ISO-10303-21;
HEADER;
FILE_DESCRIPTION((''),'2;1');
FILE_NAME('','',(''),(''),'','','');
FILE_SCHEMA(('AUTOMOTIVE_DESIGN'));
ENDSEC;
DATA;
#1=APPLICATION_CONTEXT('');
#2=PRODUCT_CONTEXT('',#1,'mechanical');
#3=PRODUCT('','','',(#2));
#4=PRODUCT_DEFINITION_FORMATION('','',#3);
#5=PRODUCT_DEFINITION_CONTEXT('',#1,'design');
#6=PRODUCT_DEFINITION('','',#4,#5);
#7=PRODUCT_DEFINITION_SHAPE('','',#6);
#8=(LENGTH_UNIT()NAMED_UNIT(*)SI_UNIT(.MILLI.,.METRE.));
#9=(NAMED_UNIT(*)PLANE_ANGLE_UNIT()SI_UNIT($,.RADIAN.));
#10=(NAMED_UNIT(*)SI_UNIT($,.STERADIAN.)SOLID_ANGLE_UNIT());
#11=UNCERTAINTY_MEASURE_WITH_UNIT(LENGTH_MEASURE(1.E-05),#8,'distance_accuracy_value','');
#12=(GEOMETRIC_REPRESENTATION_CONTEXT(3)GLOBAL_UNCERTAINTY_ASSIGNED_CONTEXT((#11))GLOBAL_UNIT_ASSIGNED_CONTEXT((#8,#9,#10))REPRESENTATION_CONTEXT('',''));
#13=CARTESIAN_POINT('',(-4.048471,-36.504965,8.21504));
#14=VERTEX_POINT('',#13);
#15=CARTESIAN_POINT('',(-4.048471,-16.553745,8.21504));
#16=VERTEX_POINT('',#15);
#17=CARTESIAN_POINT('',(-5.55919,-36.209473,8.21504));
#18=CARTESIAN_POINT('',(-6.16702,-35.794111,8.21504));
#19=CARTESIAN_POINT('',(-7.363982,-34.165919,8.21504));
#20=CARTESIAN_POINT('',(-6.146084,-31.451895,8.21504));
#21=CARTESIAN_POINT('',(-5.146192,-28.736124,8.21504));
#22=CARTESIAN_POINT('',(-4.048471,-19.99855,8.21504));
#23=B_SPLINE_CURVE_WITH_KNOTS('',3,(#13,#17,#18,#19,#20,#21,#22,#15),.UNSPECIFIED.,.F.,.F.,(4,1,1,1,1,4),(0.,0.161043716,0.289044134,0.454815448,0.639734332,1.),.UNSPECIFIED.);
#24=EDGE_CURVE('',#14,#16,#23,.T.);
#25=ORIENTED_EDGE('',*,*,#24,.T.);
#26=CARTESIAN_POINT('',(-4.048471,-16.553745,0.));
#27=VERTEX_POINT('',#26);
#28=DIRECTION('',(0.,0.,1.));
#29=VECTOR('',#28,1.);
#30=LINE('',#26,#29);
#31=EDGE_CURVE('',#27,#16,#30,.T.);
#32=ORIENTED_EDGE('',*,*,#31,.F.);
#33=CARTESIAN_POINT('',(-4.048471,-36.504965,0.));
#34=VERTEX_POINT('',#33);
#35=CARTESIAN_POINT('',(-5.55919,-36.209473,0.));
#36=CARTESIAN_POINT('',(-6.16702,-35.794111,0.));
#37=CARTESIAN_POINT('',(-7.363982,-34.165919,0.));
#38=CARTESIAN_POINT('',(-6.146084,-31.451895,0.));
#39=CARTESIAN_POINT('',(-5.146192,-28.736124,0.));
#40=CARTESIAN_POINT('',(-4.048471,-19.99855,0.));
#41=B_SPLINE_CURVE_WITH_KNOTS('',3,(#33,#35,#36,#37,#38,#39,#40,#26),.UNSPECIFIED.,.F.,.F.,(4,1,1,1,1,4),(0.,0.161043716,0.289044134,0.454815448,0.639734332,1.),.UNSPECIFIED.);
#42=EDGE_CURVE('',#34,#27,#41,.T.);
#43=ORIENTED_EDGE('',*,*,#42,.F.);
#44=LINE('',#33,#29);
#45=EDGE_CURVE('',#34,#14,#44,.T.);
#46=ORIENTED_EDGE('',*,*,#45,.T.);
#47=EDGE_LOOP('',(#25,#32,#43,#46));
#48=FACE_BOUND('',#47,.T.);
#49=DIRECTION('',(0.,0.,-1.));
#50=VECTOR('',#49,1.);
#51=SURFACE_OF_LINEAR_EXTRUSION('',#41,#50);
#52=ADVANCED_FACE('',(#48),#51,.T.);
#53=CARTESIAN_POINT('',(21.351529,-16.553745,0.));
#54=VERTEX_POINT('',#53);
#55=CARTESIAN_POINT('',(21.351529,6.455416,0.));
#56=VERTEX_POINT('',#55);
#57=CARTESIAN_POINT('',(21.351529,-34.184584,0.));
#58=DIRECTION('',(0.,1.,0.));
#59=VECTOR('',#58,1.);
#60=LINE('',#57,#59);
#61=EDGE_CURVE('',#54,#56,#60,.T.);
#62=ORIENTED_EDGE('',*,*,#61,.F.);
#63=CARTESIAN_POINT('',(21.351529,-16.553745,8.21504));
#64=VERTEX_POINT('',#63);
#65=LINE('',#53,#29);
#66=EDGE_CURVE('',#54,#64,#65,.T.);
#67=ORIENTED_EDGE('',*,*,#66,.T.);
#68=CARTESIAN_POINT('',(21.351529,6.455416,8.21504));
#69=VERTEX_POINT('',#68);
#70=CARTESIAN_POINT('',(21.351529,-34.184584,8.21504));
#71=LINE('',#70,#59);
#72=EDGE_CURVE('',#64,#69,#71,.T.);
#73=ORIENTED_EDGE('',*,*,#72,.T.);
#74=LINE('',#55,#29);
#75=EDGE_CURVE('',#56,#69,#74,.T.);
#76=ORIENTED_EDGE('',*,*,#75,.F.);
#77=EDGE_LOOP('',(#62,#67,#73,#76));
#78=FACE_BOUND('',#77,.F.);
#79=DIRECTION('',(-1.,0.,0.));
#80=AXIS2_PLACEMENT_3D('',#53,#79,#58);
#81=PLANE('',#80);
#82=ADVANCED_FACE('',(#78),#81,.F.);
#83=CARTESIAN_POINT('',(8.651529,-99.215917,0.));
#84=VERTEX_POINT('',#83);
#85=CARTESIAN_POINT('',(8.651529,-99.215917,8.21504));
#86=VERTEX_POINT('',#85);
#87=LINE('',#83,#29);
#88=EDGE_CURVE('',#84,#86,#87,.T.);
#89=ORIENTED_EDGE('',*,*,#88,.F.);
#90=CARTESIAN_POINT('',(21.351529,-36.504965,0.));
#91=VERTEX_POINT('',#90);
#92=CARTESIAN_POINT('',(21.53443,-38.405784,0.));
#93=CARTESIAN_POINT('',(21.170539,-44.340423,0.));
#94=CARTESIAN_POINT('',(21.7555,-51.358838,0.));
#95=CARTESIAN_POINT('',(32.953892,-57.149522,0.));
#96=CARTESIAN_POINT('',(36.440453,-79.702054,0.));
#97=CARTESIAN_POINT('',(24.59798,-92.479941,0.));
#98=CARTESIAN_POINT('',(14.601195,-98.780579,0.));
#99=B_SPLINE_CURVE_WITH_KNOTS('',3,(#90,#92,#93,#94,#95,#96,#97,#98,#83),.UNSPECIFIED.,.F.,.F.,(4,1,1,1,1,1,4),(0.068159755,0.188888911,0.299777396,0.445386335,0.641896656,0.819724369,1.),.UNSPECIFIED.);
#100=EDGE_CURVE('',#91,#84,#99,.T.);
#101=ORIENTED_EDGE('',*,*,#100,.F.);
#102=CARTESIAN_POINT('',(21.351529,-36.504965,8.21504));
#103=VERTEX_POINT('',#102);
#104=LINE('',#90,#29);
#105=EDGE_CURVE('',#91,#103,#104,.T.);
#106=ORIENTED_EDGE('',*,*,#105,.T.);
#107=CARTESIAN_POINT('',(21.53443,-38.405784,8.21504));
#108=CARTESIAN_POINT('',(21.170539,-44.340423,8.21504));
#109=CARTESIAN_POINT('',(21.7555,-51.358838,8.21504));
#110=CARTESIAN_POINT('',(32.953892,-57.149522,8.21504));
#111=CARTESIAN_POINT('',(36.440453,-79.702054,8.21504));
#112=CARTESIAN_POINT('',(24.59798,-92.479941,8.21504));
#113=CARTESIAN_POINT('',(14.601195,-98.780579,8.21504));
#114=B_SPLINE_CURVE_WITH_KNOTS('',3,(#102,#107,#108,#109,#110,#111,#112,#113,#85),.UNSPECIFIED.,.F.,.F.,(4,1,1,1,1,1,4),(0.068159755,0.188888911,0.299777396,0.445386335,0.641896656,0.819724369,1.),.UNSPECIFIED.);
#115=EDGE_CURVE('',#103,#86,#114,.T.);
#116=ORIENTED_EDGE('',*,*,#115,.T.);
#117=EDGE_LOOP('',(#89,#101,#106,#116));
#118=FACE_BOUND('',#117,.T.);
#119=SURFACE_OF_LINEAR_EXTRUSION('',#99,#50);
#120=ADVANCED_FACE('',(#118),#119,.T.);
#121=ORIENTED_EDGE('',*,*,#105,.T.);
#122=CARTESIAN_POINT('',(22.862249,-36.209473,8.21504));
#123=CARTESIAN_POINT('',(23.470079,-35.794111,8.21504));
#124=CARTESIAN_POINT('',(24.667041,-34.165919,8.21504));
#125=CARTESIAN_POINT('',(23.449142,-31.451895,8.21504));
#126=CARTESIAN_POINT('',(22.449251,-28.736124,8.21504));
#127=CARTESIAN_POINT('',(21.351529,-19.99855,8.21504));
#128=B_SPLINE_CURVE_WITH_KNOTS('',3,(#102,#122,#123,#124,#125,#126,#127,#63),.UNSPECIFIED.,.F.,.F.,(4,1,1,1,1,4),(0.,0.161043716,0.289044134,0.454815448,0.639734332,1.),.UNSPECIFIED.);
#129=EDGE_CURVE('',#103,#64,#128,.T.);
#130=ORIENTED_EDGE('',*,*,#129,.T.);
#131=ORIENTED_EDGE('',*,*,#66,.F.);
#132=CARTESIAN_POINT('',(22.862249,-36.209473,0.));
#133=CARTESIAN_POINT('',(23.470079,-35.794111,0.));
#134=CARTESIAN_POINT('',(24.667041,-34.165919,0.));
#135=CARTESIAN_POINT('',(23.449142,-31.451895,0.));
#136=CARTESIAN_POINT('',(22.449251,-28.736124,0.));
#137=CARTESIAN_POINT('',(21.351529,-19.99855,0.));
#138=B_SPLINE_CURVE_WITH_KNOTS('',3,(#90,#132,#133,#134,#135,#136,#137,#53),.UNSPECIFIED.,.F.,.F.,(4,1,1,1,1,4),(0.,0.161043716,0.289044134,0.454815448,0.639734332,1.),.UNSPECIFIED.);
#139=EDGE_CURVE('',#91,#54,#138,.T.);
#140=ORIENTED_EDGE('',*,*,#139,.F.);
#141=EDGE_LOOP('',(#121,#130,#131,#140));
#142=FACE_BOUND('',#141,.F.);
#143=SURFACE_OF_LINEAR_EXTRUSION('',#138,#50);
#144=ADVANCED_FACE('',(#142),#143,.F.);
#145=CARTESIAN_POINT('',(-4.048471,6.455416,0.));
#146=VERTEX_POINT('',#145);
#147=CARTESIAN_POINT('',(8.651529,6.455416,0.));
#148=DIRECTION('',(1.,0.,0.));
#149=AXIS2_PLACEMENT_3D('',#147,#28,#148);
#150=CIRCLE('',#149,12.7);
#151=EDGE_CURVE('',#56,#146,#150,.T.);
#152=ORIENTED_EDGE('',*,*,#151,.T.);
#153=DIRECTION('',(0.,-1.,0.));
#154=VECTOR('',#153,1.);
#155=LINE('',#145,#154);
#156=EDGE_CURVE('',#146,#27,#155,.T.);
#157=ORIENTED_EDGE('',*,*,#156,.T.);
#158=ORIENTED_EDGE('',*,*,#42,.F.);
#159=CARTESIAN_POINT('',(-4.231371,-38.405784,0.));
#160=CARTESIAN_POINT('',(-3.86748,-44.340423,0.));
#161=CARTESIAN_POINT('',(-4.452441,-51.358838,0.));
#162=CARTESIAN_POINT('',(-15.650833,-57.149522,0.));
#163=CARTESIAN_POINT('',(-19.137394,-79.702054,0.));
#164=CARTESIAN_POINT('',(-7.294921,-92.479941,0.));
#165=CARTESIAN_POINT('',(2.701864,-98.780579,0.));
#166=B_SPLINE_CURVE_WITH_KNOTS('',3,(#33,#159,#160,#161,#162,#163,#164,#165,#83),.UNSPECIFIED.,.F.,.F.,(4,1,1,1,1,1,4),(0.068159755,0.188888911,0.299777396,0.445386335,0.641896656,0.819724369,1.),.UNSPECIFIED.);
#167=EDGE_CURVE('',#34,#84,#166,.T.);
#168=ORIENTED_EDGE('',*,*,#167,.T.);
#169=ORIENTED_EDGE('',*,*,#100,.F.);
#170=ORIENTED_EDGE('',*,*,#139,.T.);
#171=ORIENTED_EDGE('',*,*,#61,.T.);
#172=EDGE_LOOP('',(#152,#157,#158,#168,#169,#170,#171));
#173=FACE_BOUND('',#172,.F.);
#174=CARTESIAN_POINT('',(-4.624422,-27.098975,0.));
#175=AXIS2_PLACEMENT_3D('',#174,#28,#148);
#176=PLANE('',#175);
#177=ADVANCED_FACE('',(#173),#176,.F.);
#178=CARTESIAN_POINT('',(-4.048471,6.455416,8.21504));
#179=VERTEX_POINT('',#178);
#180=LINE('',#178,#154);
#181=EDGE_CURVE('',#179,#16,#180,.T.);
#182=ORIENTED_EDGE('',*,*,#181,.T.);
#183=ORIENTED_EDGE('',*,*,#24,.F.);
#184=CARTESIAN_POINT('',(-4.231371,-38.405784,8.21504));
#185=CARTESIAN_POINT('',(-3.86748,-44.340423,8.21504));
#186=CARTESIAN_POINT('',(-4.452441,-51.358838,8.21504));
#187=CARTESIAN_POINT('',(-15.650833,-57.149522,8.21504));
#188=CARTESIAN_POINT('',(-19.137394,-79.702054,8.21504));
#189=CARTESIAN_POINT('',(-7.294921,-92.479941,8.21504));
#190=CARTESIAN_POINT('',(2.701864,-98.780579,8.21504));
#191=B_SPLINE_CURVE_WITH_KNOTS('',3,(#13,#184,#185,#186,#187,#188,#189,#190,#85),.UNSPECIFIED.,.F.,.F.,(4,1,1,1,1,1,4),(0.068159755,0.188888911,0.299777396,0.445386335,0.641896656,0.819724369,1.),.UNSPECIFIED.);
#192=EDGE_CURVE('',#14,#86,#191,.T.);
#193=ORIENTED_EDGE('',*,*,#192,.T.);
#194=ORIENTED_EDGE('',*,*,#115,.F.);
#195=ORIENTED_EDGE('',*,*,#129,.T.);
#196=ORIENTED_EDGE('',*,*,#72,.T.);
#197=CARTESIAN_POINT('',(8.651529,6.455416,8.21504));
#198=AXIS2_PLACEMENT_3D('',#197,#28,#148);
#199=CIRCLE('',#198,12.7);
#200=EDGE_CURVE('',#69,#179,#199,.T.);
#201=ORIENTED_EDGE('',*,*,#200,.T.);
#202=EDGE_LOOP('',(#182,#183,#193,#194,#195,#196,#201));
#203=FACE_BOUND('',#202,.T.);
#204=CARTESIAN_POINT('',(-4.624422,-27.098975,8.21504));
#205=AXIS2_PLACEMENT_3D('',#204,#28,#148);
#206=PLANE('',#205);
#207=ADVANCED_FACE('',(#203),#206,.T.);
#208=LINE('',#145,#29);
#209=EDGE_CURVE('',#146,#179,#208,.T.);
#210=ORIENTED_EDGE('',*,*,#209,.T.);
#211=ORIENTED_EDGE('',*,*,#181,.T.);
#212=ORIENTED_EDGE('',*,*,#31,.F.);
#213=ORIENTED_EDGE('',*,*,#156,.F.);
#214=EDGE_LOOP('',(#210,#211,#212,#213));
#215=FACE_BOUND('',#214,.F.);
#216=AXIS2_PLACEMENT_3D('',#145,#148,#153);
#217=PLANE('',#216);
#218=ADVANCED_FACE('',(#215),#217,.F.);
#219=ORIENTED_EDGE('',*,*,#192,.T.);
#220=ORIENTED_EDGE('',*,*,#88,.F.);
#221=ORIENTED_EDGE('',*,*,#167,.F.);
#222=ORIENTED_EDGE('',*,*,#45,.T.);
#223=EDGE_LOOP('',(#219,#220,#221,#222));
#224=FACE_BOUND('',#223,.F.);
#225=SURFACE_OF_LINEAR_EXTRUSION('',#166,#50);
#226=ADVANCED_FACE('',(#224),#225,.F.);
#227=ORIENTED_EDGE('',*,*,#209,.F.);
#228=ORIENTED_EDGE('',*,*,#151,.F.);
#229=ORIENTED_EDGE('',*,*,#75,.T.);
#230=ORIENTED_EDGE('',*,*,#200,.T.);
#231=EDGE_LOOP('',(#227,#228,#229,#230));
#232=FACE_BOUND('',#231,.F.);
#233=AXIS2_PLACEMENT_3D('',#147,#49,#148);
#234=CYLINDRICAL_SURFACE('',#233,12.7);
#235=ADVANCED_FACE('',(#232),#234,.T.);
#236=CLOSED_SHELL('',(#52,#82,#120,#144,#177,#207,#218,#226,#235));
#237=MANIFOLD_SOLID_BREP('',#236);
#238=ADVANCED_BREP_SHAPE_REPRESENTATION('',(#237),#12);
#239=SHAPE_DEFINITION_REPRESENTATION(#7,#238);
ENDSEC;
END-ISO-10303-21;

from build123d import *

# Parameters (mm, degrees)
F1_DEPTH = 8.21504


with BuildPart() as f1:
    # F0 (on Top) → F1 (new body)
    with BuildSketch(Plane.XY):
        with BuildLine():
            Line((-3.3034197986, -34.1845839397), (-4.0484705612, -34.1845839397))
            Line((-4.0484705612, -34.1845839397), (-4.0484705612, -16.5537446737))
            add(Edge.make_bspline(
                [(-4.0484705612, -36.5049652755), (-5.5591903136, -36.2094730067), (-6.1670200282, -35.7941111545), (-7.3639816279, -34.16591861), (-6.146083559, -31.4518946968), (-5.1461923542, -28.7361235287), (-4.0484705612, -19.998550415), (-4.0484705612, -16.5537446737)],
                knots=[0, 0, 0, 0, 0.1610437165, 0.2890441344, 0.4548154481, 0.6397343322, 1, 1, 1, 1], degree=3))
            add(Edge.make_bspline(
                [(-3.3034197986, -34.1845839397), (-3.7231982882, -34.7388008216), (-3.9452111146, -35.4318249037), (-4.0484705612, -36.5049652755)],
                knots=[0, 0, 0, 0, 0.0681597552, 0.0681597552, 0.0681597552, 0.0681597552], degree=3))
        make_face()
        with BuildLine():
            Line((-4.0484705612, -16.5537446737), (-4.0484705612, -34.1845839397))
            Line((-4.0484705612, -34.1845839397), (-3.3034197986, -34.1845839397))
            add(Edge.make_bspline(
                [(-3.3034197986, -34.1845839397), (-3.7231982882, -34.7388008216), (-3.9452111146, -35.4318249037), (-4.0484705612, -36.5049652755)],
                knots=[0, 0, 0, 0, 0.0681597552, 0.0681597552, 0.0681597552, 0.0681597552], degree=3))
            add(Edge.make_bspline(
                [(-4.0484705612, -36.5049652755), (-4.2313706576, -38.4057838825), (-3.8674804038, -44.3404226867), (-4.4524409123, -51.3588376939), (-15.6508327782, -57.1495224389), (-19.1373936488, -79.7020540979), (-7.2949213642, -92.4799412248), (2.7018639336, -98.7805787887), (8.6515294388, -99.2159172893)],
                knots=[0.0681597552, 0.0681597552, 0.0681597552, 0.0681597552, 0.1888889109, 0.2997773957, 0.4453863347, 0.641896656, 0.8197243688, 1, 1, 1, 1], degree=3))
            add(Edge.make_bspline(
                [(21.3515294388, -36.5049652755), (21.5344295352, -38.4057838825), (21.1705392814, -44.3404226867), (21.7554997898, -51.3588376939), (32.9538916558, -57.1495224389), (36.4404525264, -79.7020540979), (24.5979802418, -92.4799412248), (14.601194944, -98.7805787887), (8.6515294388, -99.2159172893)],
                knots=[0.0681597552, 0.0681597552, 0.0681597552, 0.0681597552, 0.1888889109, 0.2997773957, 0.4453863347, 0.641896656, 0.8197243688, 1, 1, 1, 1], degree=3))
            add(Edge.make_bspline(
                [(20.6064786762, -34.1845839397), (21.0262571658, -34.7388008216), (21.2482699922, -35.4318249037), (21.3515294388, -36.5049652755)],
                knots=[0, 0, 0, 0, 0.0681597552, 0.0681597552, 0.0681597552, 0.0681597552], degree=3))
            Line((20.6064786762, -34.1845839397), (21.3515294388, -34.1845839397))
            Line((21.3515294388, -34.1845839397), (21.3515294388, -16.5537446737))
            Line((21.3515294388, -16.5537446737), (21.3515294388, 6.4554160603))
            ThreePointArc((21.3515294388, 6.4554160603), (8.6515294388, 19.1554160603), (-4.0484705612, 6.4554160603))
            Line((-4.0484705612, 6.4554160603), (-4.0484705612, -16.5537446737))
        make_face()
        with BuildLine():
            add(Edge.make_bspline(
                [(20.6064786762, -34.1845839397), (21.0262571658, -34.7388008216), (21.2482699922, -35.4318249037), (21.3515294388, -36.5049652755)],
                knots=[0, 0, 0, 0, 0.0681597552, 0.0681597552, 0.0681597552, 0.0681597552], degree=3))
            add(Edge.make_bspline(
                [(21.3515294388, -36.5049652755), (22.8622491912, -36.2094730067), (23.4700789058, -35.7941111545), (24.6670405055, -34.16591861), (23.4491424366, -31.4518946968), (22.4492512318, -28.7361235287), (21.3515294388, -19.998550415), (21.3515294388, -16.5537446737)],
                knots=[0, 0, 0, 0, 0.1610437165, 0.2890441344, 0.4548154481, 0.6397343322, 1, 1, 1, 1], degree=3))
            Line((21.3515294388, -16.5537446737), (21.3515294388, -34.1845839397))
            Line((21.3515294388, -34.1845839397), (20.6064786762, -34.1845839397))
        make_face()
    extrude(amount=F1_DEPTH)


solid = f1.part
